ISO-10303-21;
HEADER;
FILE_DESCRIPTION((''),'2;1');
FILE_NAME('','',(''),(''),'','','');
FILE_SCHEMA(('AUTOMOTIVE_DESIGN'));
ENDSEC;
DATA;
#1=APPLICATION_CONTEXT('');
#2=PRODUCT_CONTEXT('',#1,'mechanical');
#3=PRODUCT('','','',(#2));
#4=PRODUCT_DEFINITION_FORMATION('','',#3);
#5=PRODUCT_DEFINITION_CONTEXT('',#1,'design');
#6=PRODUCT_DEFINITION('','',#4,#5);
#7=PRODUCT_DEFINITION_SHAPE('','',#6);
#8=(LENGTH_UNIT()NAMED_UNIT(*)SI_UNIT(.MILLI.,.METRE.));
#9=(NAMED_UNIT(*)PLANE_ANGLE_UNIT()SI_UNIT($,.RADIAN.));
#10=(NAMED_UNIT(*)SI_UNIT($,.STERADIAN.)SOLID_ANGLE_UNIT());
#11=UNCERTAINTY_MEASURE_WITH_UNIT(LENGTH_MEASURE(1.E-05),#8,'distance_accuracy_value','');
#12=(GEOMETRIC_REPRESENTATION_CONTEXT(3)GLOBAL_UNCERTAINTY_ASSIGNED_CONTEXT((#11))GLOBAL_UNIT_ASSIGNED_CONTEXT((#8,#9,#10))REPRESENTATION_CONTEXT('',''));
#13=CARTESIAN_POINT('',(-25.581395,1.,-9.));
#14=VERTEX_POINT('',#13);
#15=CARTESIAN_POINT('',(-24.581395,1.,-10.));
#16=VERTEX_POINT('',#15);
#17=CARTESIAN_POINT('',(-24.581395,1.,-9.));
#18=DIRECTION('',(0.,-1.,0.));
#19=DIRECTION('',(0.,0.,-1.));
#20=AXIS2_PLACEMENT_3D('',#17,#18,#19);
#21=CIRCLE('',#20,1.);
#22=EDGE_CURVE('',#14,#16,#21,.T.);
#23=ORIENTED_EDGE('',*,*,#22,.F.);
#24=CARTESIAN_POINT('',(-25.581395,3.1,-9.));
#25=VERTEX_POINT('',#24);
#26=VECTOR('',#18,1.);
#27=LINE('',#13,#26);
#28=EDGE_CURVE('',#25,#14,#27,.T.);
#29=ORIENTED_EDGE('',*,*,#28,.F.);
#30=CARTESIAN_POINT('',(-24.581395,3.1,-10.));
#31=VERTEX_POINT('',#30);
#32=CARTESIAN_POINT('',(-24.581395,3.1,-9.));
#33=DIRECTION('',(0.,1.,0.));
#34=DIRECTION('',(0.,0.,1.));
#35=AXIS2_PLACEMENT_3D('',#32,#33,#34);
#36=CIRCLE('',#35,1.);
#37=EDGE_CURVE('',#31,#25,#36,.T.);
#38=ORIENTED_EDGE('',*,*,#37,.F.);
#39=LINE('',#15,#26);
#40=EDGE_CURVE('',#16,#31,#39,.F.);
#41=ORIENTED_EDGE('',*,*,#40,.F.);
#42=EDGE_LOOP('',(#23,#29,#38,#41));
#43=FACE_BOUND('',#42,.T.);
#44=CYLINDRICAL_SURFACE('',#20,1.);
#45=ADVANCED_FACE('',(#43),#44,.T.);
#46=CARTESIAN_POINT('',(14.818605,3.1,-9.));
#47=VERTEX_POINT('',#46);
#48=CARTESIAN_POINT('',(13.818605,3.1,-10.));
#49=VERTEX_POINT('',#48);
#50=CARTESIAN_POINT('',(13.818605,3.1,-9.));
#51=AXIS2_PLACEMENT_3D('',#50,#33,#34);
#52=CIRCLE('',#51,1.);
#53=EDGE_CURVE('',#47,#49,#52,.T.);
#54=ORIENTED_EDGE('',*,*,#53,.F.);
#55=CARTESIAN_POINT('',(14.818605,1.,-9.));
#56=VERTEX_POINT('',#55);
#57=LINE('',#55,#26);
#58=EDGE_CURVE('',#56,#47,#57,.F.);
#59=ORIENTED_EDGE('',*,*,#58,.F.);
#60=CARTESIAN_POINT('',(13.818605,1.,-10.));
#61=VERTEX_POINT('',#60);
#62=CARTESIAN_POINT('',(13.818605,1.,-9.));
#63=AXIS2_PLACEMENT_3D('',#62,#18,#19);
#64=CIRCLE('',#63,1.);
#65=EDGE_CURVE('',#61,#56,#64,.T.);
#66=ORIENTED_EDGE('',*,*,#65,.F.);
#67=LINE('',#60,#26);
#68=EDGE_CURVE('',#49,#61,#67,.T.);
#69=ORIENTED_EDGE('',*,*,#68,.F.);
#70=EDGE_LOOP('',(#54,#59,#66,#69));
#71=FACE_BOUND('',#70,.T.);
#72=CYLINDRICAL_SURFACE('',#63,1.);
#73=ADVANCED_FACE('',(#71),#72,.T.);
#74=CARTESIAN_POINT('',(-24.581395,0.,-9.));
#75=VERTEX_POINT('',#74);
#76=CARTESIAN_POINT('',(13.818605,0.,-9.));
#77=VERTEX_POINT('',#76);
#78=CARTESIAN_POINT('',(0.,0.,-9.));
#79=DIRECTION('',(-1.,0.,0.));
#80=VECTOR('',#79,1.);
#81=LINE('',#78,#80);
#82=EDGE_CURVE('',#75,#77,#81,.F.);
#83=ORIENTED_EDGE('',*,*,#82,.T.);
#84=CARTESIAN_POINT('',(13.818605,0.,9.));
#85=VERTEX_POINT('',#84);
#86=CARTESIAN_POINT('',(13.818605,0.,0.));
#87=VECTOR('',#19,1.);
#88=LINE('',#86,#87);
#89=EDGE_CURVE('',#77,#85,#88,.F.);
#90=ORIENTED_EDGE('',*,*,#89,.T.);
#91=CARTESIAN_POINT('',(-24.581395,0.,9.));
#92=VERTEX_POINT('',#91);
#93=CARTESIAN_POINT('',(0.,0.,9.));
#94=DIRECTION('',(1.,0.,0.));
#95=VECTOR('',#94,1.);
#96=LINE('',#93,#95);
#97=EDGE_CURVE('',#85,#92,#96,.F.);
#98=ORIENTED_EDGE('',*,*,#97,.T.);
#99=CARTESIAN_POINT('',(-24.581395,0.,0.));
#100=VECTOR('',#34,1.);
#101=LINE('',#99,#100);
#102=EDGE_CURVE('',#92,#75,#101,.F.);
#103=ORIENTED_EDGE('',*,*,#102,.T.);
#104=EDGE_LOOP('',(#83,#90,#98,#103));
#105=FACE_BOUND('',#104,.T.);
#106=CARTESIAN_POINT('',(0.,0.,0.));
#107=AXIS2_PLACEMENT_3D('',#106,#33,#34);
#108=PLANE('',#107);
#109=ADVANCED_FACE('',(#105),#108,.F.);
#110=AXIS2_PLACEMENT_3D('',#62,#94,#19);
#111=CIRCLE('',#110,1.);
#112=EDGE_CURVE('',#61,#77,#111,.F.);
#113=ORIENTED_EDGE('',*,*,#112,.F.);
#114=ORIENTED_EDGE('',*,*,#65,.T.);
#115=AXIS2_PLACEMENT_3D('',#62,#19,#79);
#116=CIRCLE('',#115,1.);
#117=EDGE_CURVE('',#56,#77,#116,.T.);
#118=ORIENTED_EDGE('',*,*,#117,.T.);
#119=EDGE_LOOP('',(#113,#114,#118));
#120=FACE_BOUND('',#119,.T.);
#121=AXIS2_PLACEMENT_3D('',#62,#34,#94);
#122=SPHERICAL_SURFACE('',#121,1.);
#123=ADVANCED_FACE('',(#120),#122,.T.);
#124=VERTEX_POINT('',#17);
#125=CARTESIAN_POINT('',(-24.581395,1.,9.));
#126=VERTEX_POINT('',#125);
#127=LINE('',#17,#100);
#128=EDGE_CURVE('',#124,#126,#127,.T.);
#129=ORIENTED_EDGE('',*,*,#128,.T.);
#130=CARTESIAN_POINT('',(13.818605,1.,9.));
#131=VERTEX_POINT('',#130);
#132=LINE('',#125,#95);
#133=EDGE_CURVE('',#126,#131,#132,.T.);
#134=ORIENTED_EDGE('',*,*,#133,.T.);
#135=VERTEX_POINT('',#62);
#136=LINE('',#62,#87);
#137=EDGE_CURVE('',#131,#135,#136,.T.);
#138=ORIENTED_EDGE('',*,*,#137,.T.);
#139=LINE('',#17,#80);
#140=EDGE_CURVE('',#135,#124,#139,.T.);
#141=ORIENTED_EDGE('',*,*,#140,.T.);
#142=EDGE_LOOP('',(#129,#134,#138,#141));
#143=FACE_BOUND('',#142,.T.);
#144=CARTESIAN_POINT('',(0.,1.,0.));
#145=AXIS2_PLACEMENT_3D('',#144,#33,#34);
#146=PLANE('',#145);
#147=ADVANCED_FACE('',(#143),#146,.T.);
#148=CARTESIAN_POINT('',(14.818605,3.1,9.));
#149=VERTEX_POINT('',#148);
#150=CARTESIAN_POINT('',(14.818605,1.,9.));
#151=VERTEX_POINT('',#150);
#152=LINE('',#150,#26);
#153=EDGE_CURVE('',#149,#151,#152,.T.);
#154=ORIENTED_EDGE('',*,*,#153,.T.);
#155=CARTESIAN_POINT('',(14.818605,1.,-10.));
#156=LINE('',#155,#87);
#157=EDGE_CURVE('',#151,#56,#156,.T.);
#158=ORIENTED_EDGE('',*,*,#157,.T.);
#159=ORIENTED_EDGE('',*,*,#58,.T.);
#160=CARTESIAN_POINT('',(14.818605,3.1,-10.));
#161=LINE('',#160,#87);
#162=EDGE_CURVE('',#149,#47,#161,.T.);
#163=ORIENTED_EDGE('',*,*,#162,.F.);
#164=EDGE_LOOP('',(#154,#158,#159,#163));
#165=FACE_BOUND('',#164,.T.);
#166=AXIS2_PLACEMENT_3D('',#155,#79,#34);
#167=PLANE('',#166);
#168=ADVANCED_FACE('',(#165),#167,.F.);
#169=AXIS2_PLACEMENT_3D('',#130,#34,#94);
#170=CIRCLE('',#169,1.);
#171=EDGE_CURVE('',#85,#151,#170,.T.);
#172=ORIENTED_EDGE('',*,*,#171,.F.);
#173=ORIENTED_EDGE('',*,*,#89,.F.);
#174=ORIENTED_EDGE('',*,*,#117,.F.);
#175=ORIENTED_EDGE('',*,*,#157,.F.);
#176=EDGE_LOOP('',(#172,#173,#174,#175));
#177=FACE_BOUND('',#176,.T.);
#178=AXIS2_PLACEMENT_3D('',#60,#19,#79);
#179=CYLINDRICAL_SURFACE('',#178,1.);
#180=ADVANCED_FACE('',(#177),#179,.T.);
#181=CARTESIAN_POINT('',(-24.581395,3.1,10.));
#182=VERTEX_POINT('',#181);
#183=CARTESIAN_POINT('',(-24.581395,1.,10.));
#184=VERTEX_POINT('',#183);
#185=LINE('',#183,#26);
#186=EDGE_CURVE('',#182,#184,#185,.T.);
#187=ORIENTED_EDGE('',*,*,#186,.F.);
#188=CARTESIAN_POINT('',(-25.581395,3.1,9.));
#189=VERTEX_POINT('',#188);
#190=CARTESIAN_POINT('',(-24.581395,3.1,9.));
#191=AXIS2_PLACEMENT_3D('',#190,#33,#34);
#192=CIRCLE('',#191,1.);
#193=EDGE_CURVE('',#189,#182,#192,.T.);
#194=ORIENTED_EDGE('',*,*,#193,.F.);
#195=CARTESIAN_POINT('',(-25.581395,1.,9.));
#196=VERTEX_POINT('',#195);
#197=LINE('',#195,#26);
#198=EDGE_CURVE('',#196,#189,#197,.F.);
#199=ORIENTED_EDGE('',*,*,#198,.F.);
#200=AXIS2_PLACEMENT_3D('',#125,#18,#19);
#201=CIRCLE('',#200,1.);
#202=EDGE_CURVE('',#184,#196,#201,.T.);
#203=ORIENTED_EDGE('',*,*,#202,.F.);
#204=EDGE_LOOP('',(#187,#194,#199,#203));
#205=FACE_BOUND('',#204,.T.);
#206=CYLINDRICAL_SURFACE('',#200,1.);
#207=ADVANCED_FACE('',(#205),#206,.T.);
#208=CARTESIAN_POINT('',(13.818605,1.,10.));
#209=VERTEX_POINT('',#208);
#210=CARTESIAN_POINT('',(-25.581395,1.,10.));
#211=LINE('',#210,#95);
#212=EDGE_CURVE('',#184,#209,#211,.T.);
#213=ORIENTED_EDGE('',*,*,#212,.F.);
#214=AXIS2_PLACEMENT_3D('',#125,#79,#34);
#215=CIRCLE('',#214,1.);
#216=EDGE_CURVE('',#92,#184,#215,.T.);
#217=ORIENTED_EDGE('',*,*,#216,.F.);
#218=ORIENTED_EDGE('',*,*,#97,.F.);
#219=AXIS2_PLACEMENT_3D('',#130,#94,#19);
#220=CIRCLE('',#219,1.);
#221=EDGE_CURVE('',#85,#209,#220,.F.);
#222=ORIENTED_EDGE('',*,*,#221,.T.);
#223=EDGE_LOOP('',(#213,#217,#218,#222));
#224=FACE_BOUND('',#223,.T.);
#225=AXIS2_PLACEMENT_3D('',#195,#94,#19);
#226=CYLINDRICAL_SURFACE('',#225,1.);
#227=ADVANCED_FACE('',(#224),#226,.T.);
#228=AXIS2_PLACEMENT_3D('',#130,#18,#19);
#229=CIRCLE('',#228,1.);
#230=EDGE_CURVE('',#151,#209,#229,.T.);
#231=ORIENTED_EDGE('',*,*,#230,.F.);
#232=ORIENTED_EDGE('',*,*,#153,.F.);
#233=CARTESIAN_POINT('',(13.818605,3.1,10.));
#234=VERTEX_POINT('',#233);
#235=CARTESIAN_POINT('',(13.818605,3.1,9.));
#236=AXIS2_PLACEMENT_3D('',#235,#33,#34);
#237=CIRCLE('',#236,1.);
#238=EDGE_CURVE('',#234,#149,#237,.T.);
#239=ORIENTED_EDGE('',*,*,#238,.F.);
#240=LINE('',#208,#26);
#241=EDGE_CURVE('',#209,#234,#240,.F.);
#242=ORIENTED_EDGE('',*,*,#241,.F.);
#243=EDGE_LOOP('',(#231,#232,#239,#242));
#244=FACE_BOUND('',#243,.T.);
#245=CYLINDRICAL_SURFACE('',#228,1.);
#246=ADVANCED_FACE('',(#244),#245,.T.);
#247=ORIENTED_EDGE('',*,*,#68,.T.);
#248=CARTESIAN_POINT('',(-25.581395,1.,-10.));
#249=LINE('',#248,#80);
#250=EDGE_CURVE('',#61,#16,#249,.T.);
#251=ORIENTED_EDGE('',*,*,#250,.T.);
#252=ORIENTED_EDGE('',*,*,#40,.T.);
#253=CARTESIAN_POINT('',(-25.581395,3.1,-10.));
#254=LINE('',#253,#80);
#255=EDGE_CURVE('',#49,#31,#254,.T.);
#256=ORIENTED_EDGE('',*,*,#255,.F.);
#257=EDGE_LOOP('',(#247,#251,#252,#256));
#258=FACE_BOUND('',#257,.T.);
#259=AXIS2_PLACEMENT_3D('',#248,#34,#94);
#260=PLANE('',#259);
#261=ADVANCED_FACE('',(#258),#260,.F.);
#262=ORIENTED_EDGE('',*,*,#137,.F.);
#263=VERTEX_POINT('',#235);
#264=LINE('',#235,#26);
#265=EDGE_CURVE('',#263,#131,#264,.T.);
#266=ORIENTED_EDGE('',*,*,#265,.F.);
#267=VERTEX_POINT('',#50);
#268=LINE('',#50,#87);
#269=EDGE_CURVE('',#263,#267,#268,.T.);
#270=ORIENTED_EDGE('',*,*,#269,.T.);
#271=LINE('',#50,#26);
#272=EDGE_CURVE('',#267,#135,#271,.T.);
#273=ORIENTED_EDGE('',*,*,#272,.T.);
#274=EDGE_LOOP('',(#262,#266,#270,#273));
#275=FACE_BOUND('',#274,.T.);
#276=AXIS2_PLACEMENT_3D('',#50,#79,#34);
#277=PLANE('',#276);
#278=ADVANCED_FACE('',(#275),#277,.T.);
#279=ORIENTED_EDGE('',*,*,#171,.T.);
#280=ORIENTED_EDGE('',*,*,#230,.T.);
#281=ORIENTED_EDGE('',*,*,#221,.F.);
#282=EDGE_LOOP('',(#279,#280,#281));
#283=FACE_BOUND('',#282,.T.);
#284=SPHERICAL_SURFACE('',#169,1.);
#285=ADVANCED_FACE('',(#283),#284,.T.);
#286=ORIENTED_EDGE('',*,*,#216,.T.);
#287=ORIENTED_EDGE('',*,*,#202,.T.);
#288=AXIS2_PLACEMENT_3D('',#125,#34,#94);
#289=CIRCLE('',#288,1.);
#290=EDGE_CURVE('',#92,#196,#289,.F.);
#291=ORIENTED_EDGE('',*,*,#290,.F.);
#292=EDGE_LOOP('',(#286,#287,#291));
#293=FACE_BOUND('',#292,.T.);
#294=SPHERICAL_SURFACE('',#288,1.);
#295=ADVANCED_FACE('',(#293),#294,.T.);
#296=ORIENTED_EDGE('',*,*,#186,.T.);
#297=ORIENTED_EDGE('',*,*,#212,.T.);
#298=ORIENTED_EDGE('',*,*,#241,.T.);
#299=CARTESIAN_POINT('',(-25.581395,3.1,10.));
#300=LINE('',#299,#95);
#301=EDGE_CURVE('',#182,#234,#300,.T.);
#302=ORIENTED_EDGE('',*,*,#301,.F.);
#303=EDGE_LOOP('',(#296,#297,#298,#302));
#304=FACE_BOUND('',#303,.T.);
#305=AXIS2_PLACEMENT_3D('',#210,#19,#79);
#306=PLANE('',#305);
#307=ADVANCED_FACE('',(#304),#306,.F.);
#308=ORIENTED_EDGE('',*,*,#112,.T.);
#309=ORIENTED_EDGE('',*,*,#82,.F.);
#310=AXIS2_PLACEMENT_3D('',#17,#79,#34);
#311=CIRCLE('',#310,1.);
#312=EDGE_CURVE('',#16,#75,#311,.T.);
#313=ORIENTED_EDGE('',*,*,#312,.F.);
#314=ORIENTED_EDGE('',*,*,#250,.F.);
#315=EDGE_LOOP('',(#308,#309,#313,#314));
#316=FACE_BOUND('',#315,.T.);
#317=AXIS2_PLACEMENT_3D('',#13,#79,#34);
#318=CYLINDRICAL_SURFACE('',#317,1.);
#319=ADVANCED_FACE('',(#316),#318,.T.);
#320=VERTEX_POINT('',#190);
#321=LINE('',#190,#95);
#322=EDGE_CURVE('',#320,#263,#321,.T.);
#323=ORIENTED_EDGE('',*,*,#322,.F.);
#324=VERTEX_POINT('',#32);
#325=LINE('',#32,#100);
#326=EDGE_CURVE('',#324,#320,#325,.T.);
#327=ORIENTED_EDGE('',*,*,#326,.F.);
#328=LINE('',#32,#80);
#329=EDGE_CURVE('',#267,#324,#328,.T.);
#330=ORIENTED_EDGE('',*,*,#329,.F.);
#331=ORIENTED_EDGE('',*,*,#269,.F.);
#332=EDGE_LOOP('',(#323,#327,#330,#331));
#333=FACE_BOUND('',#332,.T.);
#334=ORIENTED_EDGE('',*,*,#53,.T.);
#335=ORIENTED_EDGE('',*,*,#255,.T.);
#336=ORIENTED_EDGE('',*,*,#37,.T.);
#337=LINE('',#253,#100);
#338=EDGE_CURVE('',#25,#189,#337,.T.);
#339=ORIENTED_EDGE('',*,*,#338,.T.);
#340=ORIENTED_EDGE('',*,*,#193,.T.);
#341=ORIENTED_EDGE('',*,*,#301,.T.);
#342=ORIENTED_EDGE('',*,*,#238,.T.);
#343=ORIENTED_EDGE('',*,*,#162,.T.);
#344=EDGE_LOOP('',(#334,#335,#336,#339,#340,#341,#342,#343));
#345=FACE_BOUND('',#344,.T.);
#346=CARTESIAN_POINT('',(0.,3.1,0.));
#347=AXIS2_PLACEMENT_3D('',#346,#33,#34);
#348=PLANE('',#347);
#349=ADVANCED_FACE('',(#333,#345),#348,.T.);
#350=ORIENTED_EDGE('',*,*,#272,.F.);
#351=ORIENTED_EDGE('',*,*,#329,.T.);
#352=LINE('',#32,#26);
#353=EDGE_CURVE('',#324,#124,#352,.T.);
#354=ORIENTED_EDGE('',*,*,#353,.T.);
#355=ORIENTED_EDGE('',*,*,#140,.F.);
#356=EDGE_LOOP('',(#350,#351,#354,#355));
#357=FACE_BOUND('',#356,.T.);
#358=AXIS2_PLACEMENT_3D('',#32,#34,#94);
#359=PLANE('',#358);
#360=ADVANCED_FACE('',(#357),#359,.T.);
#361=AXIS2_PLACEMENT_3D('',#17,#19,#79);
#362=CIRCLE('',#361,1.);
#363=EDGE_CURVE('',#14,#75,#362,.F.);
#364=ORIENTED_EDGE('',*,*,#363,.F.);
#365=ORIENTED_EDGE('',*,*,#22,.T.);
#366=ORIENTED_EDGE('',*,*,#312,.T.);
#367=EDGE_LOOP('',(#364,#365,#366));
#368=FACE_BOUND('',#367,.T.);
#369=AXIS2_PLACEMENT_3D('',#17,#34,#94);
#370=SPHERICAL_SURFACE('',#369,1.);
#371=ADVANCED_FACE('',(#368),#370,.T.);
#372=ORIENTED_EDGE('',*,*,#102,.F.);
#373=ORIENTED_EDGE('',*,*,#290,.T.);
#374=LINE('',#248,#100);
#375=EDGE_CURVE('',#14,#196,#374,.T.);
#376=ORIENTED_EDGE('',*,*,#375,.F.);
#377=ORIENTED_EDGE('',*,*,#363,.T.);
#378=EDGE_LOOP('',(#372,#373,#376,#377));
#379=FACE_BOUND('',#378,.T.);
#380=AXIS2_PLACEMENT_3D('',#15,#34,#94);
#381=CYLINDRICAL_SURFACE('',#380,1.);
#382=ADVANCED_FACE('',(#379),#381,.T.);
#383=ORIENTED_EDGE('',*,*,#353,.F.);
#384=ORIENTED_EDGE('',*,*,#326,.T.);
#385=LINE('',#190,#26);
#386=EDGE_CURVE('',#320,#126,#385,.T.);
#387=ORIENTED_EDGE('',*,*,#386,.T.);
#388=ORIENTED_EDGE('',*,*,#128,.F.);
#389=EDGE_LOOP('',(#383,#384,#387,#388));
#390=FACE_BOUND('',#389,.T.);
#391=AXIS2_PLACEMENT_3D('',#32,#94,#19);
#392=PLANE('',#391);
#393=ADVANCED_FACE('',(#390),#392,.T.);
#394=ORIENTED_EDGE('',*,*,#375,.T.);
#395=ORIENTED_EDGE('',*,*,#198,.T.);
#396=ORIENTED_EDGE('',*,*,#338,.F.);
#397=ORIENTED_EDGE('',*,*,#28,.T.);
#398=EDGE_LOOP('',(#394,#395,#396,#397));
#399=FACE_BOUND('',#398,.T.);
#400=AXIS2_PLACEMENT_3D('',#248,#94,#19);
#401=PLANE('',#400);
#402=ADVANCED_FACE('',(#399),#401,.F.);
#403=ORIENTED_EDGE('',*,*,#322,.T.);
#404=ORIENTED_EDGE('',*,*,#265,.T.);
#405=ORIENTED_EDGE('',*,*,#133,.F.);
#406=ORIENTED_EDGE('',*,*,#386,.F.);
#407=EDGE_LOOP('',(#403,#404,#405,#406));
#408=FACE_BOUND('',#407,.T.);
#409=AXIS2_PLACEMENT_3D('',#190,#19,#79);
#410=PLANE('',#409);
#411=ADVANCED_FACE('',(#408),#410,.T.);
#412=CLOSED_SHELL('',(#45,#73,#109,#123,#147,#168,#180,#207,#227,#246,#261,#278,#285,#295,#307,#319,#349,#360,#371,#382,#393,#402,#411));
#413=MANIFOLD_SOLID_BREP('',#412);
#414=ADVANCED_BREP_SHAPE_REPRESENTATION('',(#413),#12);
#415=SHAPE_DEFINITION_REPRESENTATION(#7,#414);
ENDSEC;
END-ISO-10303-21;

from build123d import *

# Parameters (mm, degrees)
ESQUISSE1_W        = 40.4
ESQUISSE1_H        = 20
BOSS_EXTRU_1_DEPTH = 1
ESQUISSE2_W        = 40.4
ESQUISSE2_H        = 20
ESQUISSE2_W_2      = 38.4
ESQUISSE2_H_2      = 18
BOSS_EXTRU_2_DEPTH = 2.1
CONG_1_R           = 1


with BuildPart() as part:
    # Esquisse1 → Boss.-Extru.1 (new body)
    with BuildSketch(Plane(origin=(0, 0, 0), x_dir=(1, 0, 0), z_dir=(0, 1, 0))):
        with Locations((-5.381395349, 0)):
            Rectangle(ESQUISSE1_W, ESQUISSE1_H)
    extrude(amount=BOSS_EXTRU_1_DEPTH)

    # Esquisse2 → Boss.-Extru.2 (add)
    with BuildSketch(Plane(origin=(0, 1, 0), x_dir=(1, 0, 0), z_dir=(0, 1, 0))):
        with Locations((-5.381395349, 0)):
            Rectangle(ESQUISSE2_W, ESQUISSE2_H)
        with Locations((-5.381395349, 0)):
            Rectangle(ESQUISSE2_W_2, ESQUISSE2_H_2, mode=Mode.SUBTRACT)
    extrude(amount=BOSS_EXTRU_2_DEPTH)

    # Congé1
    cong_1_edges = [part.edges().sort_by_distance(p)[0] for p in [
        (-5.381395349, 0, -10),
        (14.818604651, 0, 0),
        (-5.381395349, 0, 10),
        (-25.581395349, 0, 0),
        (-25.581395349, 1.55, -10),
        (14.818604651, 1.55, -10),
        (14.818604651, 1.55, 10),
        (-25.581395349, 1.55, 10),
    ]]
    fillet(cong_1_edges, radius=CONG_1_R)


solid = part.part
